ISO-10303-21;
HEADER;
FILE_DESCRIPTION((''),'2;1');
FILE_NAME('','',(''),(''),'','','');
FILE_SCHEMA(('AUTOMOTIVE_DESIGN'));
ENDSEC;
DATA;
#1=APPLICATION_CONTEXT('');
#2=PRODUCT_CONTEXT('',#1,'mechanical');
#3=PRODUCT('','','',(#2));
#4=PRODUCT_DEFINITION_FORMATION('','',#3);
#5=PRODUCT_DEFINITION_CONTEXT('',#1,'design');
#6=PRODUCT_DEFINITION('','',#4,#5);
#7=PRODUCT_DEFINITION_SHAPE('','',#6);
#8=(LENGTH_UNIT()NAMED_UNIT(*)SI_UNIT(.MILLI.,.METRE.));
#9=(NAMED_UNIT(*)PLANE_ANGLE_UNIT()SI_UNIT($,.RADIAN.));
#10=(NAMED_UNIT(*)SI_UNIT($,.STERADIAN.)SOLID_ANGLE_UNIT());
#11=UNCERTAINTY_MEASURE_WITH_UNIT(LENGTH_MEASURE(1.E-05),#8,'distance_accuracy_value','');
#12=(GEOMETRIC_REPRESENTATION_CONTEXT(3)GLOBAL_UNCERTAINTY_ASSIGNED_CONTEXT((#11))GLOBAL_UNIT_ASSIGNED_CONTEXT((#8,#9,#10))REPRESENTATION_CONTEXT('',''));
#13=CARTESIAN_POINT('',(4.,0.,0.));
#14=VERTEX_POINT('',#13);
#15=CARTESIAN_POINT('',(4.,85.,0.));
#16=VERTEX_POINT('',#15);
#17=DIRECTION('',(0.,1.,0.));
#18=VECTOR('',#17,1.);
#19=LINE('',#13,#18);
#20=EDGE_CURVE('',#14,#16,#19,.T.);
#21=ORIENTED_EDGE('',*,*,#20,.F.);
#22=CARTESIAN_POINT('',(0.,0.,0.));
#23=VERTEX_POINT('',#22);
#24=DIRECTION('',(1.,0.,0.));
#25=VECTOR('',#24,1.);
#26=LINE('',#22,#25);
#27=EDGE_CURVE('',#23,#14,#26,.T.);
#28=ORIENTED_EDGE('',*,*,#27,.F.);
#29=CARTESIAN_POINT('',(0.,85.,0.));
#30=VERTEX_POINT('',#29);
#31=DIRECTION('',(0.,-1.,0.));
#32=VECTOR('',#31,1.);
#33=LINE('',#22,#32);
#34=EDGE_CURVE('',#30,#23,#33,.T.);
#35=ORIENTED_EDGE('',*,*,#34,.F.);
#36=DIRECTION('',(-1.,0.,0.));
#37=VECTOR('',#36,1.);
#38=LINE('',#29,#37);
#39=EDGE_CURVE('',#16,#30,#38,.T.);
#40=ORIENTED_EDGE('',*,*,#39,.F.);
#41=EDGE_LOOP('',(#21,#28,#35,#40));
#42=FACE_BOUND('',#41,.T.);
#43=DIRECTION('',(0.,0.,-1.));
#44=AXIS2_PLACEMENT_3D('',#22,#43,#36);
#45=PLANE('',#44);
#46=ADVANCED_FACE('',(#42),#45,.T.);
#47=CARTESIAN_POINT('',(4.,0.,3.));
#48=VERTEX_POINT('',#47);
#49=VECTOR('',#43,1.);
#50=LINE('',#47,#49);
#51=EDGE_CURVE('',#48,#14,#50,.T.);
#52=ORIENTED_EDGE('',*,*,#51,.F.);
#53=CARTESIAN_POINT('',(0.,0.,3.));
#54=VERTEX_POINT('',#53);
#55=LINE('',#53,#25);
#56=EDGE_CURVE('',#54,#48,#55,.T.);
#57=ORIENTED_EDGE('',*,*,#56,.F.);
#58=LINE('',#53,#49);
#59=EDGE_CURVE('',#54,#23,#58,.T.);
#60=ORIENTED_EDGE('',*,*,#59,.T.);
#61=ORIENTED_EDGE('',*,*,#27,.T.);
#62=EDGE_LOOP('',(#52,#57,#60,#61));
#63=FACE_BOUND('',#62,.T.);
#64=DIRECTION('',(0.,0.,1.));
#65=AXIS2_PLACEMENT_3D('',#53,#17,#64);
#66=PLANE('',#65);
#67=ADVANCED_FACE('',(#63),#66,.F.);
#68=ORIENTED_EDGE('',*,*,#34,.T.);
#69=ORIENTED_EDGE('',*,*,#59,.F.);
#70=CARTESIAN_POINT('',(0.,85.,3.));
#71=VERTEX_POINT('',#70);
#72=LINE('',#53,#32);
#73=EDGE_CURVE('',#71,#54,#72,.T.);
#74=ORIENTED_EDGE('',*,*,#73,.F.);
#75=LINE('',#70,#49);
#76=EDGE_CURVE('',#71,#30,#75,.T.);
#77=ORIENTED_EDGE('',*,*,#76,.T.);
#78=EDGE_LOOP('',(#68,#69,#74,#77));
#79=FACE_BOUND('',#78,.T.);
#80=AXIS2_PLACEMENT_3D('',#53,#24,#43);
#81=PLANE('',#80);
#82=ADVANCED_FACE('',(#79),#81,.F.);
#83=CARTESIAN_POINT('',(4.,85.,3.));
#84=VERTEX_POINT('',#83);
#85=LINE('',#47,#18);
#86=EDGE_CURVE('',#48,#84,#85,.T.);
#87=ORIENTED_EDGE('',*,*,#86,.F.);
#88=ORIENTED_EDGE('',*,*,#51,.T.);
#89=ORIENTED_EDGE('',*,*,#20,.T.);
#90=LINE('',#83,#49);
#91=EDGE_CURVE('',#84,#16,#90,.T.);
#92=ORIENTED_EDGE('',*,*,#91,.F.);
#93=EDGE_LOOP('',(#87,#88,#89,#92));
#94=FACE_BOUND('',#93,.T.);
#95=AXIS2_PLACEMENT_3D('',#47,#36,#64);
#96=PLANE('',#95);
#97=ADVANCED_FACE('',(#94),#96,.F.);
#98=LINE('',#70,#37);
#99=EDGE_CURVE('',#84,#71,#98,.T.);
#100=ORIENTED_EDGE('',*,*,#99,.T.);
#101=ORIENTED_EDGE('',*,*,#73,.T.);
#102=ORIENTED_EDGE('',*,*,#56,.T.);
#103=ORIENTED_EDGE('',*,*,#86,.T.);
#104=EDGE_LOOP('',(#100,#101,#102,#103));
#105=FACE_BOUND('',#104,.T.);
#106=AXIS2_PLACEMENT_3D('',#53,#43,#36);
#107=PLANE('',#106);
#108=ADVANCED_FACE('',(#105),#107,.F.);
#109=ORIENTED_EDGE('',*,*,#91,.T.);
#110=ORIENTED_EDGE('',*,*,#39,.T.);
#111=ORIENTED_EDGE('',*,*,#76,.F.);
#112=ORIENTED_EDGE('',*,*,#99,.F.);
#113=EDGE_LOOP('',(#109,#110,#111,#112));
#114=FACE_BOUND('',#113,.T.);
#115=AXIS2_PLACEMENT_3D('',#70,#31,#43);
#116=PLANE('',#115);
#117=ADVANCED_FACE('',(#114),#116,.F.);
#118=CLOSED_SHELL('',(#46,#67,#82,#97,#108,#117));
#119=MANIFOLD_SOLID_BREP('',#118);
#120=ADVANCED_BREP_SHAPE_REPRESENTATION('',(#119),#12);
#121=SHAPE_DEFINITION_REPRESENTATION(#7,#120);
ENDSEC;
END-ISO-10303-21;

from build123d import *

# Parameters (mm, degrees)
SKETCH_1_W      = 4
SKETCH_1_H      = 85
EXTRUDE_1_DEPTH = 3


with BuildPart() as part:
    # 草图1 → 凸台-拉伸1 (new body)
    with BuildSketch(Plane.XY):
        with Locations((2, 42.5)):
            Rectangle(SKETCH_1_W, SKETCH_1_H)
    extrude(amount=EXTRUDE_1_DEPTH)


solid = part.part
